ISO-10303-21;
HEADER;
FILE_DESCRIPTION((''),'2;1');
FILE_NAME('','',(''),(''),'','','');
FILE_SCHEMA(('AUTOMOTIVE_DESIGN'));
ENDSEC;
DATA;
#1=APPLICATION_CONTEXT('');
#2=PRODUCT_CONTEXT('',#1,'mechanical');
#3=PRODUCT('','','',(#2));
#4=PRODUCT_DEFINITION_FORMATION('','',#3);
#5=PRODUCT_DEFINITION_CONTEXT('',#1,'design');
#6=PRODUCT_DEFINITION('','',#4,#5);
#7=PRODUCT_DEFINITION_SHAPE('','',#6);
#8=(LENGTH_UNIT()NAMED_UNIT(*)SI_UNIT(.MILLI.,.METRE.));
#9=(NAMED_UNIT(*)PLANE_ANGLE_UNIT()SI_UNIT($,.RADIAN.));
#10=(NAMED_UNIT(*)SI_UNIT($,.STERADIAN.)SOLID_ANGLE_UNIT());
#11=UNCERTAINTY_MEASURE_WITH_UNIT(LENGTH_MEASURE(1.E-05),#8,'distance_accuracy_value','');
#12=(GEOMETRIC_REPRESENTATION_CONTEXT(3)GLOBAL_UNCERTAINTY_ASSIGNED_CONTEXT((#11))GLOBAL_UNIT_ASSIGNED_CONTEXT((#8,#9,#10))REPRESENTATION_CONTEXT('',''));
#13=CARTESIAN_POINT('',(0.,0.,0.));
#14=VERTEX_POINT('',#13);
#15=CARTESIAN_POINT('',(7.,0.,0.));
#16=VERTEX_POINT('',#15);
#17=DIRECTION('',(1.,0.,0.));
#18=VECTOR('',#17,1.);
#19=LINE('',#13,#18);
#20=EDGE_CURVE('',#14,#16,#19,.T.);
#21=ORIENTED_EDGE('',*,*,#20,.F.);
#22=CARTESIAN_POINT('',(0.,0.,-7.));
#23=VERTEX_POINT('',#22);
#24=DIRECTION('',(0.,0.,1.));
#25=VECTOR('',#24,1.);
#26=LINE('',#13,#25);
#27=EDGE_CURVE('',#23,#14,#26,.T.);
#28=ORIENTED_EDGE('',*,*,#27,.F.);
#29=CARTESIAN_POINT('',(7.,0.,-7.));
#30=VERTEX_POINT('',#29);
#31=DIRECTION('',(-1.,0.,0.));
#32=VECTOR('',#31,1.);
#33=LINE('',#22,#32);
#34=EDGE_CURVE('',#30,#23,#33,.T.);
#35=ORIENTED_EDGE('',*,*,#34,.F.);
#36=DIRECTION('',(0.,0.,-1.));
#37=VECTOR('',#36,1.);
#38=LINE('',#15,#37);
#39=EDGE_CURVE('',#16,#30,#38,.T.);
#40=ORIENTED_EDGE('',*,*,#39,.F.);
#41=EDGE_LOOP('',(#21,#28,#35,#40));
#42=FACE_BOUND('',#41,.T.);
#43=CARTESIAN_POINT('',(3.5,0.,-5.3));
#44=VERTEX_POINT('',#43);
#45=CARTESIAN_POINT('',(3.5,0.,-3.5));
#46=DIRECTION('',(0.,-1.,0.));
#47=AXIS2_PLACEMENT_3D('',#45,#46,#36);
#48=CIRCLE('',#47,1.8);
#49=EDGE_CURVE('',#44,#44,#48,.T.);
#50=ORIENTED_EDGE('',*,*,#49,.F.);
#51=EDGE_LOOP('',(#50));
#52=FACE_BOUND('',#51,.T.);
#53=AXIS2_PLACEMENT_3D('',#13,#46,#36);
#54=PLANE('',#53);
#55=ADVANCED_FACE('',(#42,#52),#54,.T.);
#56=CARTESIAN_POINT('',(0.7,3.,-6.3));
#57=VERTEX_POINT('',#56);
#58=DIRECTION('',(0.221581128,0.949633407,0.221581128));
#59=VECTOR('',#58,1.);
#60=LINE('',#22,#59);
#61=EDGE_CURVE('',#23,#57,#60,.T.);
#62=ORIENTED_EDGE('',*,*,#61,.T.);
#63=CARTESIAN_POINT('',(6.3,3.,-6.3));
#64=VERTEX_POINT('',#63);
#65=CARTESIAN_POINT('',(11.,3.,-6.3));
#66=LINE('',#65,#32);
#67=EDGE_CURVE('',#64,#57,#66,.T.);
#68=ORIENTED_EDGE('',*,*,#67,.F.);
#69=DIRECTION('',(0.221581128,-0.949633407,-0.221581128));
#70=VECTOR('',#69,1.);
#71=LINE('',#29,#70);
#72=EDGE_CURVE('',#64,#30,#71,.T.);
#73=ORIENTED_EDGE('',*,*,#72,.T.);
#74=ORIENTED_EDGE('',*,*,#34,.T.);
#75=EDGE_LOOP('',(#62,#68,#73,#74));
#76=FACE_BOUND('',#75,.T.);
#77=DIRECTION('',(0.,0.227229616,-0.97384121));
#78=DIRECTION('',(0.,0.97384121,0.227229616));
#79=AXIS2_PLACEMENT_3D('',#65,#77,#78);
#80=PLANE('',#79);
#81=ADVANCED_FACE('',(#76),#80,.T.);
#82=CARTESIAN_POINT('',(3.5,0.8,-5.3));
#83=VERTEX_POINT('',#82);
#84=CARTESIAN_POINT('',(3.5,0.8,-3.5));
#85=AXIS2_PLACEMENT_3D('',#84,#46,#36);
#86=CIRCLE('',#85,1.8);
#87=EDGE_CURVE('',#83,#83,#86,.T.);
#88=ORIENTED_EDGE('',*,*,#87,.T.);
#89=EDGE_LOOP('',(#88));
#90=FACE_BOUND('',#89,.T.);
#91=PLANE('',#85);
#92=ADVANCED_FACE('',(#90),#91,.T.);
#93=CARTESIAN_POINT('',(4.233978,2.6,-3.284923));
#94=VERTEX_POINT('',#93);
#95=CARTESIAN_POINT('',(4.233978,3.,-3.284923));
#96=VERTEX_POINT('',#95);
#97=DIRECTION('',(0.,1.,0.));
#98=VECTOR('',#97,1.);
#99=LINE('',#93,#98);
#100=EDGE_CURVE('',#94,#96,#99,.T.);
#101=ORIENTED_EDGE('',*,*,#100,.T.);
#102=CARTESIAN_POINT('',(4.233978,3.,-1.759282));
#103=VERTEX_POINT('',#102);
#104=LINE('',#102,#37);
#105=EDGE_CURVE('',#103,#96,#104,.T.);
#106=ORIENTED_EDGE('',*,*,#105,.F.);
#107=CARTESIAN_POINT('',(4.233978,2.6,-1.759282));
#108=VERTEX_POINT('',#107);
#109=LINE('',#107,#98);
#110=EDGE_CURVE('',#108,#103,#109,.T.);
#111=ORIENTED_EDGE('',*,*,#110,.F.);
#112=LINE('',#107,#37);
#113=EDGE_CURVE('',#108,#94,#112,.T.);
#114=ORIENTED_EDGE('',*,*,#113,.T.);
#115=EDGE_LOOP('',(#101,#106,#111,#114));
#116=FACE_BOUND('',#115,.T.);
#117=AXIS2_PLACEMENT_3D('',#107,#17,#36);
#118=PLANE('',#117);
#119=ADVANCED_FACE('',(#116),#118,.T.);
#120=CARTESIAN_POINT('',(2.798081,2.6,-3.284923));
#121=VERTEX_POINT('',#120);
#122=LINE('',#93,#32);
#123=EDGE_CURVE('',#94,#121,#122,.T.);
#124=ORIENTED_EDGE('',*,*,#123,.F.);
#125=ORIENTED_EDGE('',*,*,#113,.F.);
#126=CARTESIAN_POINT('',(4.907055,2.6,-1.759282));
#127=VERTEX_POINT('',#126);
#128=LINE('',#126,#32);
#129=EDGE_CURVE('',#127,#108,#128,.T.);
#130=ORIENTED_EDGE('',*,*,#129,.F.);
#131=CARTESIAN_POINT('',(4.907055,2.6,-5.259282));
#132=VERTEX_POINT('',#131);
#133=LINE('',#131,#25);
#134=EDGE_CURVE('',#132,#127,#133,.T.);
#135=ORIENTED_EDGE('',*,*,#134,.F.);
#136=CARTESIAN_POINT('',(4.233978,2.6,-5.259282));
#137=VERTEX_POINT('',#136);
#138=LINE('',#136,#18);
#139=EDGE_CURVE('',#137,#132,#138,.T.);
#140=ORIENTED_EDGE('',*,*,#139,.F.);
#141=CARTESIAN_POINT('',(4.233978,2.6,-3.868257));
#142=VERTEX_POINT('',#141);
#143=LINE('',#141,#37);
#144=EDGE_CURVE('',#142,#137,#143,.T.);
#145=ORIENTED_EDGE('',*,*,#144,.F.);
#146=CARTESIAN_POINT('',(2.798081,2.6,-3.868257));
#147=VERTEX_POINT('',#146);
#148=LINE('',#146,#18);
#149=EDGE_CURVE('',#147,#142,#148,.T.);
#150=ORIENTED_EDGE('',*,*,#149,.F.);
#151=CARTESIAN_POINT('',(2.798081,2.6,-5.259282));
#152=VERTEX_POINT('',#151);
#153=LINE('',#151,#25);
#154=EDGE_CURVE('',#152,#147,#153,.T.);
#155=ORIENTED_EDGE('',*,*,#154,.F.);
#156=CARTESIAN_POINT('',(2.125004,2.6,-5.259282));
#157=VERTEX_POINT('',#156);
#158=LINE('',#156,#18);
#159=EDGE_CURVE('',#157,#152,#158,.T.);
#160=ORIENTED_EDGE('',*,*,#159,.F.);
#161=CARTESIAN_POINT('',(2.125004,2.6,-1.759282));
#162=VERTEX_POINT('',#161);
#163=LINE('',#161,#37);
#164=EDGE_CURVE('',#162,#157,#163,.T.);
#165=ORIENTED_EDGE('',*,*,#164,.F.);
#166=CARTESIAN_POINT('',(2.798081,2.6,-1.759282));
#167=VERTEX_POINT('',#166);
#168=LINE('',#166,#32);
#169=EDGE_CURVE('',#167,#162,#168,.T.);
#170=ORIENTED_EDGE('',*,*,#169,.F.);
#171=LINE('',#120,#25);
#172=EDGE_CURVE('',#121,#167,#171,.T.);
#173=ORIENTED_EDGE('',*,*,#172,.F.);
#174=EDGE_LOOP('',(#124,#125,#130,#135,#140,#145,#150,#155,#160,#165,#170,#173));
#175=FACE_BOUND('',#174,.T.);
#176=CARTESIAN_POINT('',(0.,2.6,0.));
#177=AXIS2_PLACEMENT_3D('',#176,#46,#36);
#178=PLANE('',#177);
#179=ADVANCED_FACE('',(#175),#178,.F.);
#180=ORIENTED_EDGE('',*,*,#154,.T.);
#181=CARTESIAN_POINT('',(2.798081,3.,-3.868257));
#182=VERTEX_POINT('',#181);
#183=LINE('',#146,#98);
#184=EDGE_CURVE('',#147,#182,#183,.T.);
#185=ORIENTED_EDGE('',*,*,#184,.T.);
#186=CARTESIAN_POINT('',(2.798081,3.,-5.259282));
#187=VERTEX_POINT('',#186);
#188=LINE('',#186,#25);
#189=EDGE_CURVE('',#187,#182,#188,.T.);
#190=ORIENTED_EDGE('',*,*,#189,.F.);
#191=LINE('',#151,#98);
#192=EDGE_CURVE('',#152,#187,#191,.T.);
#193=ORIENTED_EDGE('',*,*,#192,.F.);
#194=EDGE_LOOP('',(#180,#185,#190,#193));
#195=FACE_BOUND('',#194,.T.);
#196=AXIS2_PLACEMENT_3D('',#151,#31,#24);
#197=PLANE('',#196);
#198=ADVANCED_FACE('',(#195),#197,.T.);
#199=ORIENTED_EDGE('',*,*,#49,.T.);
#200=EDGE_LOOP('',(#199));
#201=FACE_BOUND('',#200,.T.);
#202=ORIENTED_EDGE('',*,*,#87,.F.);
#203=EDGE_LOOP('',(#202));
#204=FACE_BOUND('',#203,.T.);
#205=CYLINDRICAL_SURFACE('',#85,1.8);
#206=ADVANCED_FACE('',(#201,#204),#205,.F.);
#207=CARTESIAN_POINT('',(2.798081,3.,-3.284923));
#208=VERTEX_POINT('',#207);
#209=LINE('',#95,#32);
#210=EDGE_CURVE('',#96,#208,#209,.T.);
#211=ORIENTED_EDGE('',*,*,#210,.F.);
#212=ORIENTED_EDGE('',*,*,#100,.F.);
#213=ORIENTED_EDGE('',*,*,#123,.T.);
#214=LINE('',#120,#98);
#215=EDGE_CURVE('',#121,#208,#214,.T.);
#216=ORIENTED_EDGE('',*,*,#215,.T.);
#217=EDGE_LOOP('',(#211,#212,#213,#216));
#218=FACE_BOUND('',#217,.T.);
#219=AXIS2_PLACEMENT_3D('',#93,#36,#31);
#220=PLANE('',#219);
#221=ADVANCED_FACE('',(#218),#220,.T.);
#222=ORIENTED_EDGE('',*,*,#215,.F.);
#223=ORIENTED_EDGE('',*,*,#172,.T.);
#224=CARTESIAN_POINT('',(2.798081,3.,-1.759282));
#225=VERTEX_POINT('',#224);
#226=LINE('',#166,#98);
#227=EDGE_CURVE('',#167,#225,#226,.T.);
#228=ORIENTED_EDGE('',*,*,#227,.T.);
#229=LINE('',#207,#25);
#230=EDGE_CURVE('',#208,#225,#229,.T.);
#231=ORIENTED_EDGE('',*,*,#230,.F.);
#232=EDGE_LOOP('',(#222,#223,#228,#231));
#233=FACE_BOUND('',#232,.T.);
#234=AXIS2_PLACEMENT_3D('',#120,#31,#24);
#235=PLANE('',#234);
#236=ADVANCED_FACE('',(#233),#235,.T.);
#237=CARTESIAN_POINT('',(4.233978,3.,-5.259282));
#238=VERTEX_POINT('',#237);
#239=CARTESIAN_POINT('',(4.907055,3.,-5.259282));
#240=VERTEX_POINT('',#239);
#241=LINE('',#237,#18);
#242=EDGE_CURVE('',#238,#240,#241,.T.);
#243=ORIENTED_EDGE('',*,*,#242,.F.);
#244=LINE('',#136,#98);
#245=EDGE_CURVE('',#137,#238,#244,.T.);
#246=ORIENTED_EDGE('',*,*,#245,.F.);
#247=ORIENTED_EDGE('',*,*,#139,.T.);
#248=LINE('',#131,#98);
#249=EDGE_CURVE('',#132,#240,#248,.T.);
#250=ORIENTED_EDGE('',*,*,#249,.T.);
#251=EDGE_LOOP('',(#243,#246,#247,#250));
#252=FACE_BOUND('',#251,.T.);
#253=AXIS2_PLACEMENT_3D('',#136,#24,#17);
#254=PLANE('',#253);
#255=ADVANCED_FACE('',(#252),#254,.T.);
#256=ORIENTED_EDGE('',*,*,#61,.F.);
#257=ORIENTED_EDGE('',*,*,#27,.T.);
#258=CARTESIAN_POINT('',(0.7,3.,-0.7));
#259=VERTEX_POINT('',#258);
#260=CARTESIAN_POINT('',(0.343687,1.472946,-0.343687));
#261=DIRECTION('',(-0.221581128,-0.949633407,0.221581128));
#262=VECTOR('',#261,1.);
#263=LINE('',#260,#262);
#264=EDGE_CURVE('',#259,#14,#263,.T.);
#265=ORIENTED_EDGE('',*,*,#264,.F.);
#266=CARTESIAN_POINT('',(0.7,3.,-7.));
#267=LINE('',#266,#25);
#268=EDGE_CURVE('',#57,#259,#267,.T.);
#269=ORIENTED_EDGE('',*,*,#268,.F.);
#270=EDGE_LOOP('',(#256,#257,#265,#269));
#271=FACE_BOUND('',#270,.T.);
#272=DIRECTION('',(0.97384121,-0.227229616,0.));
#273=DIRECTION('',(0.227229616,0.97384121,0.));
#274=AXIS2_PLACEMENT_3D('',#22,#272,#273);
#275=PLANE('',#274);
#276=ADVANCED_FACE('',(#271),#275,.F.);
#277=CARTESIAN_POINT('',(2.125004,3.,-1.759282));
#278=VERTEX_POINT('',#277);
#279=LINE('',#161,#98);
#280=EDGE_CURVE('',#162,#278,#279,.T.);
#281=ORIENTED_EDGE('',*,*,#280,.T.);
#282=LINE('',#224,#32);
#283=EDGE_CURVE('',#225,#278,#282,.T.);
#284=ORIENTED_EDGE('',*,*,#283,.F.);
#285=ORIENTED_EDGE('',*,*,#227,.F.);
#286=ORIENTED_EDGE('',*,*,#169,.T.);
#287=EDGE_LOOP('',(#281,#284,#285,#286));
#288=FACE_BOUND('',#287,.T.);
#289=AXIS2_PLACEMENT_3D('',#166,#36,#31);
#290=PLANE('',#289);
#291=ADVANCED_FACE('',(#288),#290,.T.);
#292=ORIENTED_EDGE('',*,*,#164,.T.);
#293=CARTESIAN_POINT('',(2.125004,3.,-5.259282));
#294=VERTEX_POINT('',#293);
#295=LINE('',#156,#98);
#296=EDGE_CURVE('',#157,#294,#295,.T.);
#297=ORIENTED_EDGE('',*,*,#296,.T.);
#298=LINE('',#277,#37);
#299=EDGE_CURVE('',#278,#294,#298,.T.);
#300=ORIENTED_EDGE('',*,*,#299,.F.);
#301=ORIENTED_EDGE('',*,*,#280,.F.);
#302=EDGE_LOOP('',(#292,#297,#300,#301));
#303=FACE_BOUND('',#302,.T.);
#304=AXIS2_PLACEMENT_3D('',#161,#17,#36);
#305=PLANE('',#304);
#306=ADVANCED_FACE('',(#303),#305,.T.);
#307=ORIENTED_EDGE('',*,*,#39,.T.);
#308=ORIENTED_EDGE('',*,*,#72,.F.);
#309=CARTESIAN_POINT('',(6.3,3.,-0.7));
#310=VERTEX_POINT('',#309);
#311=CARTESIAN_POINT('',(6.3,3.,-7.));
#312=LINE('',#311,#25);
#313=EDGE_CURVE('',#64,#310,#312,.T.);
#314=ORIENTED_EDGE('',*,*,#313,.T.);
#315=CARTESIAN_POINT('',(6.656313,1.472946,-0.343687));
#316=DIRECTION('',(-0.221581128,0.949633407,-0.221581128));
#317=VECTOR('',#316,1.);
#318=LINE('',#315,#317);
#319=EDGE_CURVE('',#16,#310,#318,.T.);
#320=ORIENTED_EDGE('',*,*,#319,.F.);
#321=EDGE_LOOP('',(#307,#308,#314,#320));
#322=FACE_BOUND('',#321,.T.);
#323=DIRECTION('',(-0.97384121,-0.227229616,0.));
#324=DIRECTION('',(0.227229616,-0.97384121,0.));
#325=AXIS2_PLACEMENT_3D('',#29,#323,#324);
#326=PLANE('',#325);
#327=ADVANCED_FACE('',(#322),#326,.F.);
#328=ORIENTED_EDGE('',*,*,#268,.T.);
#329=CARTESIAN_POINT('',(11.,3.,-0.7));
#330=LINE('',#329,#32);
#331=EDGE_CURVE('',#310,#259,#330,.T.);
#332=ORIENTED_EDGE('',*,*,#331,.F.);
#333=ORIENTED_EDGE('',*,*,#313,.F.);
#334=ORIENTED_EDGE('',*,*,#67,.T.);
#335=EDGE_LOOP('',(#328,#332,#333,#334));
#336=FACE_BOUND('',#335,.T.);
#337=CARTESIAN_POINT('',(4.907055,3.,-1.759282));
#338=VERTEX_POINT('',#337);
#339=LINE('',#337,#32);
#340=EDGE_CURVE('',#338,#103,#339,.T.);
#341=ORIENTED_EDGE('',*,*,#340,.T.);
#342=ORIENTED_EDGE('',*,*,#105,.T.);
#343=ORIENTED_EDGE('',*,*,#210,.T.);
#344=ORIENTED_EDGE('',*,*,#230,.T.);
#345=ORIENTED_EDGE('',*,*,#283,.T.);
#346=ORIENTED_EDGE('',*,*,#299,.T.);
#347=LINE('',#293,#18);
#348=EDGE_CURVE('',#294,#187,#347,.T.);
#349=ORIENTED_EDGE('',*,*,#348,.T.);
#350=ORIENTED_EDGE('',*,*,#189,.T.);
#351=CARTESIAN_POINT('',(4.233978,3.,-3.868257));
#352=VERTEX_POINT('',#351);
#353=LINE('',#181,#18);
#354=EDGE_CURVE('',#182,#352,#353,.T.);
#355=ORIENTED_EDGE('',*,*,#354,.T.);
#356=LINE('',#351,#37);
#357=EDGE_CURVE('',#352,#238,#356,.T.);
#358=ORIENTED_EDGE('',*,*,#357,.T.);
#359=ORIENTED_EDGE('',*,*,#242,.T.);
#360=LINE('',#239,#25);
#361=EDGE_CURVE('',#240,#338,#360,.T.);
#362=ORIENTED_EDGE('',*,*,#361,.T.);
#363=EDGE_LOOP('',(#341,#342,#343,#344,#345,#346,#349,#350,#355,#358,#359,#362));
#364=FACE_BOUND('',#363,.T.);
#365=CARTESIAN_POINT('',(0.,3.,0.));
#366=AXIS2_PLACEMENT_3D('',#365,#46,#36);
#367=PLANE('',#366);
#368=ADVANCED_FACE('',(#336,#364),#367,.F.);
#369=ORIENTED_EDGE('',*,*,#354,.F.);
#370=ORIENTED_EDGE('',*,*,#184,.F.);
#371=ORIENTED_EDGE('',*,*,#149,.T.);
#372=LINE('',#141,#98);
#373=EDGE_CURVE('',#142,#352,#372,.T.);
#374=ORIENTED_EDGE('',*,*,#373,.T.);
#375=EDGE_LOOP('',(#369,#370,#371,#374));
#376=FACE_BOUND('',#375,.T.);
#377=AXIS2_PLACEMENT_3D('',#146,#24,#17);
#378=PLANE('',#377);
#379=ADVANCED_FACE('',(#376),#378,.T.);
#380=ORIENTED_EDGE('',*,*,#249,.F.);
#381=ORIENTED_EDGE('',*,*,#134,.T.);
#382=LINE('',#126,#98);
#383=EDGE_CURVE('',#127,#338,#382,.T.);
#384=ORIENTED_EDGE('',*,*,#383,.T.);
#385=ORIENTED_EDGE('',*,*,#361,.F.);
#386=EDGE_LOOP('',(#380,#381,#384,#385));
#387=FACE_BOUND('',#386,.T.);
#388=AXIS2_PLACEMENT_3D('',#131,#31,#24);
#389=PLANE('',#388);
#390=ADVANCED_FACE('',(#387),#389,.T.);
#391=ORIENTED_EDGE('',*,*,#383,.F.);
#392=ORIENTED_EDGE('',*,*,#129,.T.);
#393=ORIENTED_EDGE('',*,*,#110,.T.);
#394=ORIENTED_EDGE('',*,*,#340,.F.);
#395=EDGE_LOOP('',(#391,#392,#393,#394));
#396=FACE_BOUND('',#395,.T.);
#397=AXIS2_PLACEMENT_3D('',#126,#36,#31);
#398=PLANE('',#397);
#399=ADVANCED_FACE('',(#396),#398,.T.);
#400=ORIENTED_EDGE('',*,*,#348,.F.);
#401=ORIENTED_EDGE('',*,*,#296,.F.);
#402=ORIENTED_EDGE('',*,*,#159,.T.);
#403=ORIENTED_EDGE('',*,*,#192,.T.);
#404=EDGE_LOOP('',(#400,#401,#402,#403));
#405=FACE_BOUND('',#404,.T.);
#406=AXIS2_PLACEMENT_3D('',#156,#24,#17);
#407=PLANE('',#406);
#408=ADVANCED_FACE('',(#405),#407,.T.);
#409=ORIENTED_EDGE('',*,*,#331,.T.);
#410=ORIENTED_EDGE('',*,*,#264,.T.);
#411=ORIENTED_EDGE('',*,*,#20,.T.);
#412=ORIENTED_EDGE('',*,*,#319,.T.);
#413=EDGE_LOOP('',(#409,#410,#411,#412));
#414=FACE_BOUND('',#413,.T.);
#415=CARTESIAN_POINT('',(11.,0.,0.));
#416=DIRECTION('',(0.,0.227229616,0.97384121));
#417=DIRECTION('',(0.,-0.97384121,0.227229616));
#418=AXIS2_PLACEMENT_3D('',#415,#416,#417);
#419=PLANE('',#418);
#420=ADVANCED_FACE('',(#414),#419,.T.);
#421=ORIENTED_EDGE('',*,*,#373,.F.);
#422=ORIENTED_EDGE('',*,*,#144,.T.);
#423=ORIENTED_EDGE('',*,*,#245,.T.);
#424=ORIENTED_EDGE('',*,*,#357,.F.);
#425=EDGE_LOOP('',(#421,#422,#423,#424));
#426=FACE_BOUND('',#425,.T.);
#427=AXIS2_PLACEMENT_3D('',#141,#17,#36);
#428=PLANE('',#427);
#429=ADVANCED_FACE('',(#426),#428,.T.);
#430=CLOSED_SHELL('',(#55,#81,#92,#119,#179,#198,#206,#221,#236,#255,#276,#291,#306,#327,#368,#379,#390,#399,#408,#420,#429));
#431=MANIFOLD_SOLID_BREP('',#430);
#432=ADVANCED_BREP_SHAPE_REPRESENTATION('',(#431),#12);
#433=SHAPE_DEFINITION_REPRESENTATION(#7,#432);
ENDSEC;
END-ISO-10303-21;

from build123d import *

# Parameters (mm, degrees)
SKETCH1_W           = 7
SKETCH1_H           = 7
BOSS_EXTRUDE1_DEPTH = 3
CUT_EXTRUDE1_DEPTH  = 7
CUT_EXTRUDE2_DEPTH  = 11
SKETCH4_R           = 1.8
CUT_EXTRUDE3_DEPTH  = 0.8
CUT_EXTRUDE4_DEPTH  = 0.4


with BuildPart() as part:
    # Sketch1 → Boss-Extrude1 (new body)
    with BuildSketch(Plane(origin=(0, 0, 0), x_dir=(1, 0, 0), z_dir=(0, 1, 0))):
        with Locations((3.5, 3.5)):
            Rectangle(SKETCH1_W, SKETCH1_H)
    extrude(amount=BOSS_EXTRUDE1_DEPTH)

    # Sketch2 → Cut-Extrude1 (cut)
    with BuildSketch(Plane.XY):
        Polygon((0, 0), (0.7, 3), (0, 3), align=None)
        Polygon((7, 0), (6.3, 3), (7, 3), align=None)
    extrude(amount=-CUT_EXTRUDE1_DEPTH, mode=Mode.SUBTRACT)

    # Sketch3 → Cut-Extrude2 (cut)
    with BuildSketch(Plane(origin=(0, 0, 0), x_dir=(0, 0, -1), z_dir=(1, 0, 0))):
        Polygon((0, 0), (0.7, 3), (0, 3), align=None)
        Polygon((7, 3), (6.3, 3), (7, 0), align=None)
    extrude(amount=CUT_EXTRUDE2_DEPTH, mode=Mode.SUBTRACT)

    # Sketch4 → Cut-Extrude3 (cut)
    with BuildSketch(Plane.XZ):
        with Locations(Location((3.5, -3.5, 0), (0, 0, 270))):
            Circle(SKETCH4_R)
    extrude(amount=-CUT_EXTRUDE3_DEPTH, mode=Mode.SUBTRACT)

    # Sketch6 → Cut-Extrude4 (cut)
    with BuildSketch(Plane(origin=(0, 3, 0), x_dir=(1, 0, 0), z_dir=(0, 1, 0))):
        Polygon((2.125003678, 1.759282352), (2.125003678, 5.259282352), (2.798080601, 5.259282352), (2.798080601, 3.868256711), (4.233978037, 3.868256711), (4.233978037, 5.259282352), (4.90705496, 5.259282352), (4.90705496, 1.759282352), (4.233978037, 1.759282352), (4.233978037, 3.284923377), (2.798080601, 3.284923377), (2.798080601, 1.759282352), align=None)
    extrude(amount=-CUT_EXTRUDE4_DEPTH, mode=Mode.SUBTRACT)


solid = part.part
